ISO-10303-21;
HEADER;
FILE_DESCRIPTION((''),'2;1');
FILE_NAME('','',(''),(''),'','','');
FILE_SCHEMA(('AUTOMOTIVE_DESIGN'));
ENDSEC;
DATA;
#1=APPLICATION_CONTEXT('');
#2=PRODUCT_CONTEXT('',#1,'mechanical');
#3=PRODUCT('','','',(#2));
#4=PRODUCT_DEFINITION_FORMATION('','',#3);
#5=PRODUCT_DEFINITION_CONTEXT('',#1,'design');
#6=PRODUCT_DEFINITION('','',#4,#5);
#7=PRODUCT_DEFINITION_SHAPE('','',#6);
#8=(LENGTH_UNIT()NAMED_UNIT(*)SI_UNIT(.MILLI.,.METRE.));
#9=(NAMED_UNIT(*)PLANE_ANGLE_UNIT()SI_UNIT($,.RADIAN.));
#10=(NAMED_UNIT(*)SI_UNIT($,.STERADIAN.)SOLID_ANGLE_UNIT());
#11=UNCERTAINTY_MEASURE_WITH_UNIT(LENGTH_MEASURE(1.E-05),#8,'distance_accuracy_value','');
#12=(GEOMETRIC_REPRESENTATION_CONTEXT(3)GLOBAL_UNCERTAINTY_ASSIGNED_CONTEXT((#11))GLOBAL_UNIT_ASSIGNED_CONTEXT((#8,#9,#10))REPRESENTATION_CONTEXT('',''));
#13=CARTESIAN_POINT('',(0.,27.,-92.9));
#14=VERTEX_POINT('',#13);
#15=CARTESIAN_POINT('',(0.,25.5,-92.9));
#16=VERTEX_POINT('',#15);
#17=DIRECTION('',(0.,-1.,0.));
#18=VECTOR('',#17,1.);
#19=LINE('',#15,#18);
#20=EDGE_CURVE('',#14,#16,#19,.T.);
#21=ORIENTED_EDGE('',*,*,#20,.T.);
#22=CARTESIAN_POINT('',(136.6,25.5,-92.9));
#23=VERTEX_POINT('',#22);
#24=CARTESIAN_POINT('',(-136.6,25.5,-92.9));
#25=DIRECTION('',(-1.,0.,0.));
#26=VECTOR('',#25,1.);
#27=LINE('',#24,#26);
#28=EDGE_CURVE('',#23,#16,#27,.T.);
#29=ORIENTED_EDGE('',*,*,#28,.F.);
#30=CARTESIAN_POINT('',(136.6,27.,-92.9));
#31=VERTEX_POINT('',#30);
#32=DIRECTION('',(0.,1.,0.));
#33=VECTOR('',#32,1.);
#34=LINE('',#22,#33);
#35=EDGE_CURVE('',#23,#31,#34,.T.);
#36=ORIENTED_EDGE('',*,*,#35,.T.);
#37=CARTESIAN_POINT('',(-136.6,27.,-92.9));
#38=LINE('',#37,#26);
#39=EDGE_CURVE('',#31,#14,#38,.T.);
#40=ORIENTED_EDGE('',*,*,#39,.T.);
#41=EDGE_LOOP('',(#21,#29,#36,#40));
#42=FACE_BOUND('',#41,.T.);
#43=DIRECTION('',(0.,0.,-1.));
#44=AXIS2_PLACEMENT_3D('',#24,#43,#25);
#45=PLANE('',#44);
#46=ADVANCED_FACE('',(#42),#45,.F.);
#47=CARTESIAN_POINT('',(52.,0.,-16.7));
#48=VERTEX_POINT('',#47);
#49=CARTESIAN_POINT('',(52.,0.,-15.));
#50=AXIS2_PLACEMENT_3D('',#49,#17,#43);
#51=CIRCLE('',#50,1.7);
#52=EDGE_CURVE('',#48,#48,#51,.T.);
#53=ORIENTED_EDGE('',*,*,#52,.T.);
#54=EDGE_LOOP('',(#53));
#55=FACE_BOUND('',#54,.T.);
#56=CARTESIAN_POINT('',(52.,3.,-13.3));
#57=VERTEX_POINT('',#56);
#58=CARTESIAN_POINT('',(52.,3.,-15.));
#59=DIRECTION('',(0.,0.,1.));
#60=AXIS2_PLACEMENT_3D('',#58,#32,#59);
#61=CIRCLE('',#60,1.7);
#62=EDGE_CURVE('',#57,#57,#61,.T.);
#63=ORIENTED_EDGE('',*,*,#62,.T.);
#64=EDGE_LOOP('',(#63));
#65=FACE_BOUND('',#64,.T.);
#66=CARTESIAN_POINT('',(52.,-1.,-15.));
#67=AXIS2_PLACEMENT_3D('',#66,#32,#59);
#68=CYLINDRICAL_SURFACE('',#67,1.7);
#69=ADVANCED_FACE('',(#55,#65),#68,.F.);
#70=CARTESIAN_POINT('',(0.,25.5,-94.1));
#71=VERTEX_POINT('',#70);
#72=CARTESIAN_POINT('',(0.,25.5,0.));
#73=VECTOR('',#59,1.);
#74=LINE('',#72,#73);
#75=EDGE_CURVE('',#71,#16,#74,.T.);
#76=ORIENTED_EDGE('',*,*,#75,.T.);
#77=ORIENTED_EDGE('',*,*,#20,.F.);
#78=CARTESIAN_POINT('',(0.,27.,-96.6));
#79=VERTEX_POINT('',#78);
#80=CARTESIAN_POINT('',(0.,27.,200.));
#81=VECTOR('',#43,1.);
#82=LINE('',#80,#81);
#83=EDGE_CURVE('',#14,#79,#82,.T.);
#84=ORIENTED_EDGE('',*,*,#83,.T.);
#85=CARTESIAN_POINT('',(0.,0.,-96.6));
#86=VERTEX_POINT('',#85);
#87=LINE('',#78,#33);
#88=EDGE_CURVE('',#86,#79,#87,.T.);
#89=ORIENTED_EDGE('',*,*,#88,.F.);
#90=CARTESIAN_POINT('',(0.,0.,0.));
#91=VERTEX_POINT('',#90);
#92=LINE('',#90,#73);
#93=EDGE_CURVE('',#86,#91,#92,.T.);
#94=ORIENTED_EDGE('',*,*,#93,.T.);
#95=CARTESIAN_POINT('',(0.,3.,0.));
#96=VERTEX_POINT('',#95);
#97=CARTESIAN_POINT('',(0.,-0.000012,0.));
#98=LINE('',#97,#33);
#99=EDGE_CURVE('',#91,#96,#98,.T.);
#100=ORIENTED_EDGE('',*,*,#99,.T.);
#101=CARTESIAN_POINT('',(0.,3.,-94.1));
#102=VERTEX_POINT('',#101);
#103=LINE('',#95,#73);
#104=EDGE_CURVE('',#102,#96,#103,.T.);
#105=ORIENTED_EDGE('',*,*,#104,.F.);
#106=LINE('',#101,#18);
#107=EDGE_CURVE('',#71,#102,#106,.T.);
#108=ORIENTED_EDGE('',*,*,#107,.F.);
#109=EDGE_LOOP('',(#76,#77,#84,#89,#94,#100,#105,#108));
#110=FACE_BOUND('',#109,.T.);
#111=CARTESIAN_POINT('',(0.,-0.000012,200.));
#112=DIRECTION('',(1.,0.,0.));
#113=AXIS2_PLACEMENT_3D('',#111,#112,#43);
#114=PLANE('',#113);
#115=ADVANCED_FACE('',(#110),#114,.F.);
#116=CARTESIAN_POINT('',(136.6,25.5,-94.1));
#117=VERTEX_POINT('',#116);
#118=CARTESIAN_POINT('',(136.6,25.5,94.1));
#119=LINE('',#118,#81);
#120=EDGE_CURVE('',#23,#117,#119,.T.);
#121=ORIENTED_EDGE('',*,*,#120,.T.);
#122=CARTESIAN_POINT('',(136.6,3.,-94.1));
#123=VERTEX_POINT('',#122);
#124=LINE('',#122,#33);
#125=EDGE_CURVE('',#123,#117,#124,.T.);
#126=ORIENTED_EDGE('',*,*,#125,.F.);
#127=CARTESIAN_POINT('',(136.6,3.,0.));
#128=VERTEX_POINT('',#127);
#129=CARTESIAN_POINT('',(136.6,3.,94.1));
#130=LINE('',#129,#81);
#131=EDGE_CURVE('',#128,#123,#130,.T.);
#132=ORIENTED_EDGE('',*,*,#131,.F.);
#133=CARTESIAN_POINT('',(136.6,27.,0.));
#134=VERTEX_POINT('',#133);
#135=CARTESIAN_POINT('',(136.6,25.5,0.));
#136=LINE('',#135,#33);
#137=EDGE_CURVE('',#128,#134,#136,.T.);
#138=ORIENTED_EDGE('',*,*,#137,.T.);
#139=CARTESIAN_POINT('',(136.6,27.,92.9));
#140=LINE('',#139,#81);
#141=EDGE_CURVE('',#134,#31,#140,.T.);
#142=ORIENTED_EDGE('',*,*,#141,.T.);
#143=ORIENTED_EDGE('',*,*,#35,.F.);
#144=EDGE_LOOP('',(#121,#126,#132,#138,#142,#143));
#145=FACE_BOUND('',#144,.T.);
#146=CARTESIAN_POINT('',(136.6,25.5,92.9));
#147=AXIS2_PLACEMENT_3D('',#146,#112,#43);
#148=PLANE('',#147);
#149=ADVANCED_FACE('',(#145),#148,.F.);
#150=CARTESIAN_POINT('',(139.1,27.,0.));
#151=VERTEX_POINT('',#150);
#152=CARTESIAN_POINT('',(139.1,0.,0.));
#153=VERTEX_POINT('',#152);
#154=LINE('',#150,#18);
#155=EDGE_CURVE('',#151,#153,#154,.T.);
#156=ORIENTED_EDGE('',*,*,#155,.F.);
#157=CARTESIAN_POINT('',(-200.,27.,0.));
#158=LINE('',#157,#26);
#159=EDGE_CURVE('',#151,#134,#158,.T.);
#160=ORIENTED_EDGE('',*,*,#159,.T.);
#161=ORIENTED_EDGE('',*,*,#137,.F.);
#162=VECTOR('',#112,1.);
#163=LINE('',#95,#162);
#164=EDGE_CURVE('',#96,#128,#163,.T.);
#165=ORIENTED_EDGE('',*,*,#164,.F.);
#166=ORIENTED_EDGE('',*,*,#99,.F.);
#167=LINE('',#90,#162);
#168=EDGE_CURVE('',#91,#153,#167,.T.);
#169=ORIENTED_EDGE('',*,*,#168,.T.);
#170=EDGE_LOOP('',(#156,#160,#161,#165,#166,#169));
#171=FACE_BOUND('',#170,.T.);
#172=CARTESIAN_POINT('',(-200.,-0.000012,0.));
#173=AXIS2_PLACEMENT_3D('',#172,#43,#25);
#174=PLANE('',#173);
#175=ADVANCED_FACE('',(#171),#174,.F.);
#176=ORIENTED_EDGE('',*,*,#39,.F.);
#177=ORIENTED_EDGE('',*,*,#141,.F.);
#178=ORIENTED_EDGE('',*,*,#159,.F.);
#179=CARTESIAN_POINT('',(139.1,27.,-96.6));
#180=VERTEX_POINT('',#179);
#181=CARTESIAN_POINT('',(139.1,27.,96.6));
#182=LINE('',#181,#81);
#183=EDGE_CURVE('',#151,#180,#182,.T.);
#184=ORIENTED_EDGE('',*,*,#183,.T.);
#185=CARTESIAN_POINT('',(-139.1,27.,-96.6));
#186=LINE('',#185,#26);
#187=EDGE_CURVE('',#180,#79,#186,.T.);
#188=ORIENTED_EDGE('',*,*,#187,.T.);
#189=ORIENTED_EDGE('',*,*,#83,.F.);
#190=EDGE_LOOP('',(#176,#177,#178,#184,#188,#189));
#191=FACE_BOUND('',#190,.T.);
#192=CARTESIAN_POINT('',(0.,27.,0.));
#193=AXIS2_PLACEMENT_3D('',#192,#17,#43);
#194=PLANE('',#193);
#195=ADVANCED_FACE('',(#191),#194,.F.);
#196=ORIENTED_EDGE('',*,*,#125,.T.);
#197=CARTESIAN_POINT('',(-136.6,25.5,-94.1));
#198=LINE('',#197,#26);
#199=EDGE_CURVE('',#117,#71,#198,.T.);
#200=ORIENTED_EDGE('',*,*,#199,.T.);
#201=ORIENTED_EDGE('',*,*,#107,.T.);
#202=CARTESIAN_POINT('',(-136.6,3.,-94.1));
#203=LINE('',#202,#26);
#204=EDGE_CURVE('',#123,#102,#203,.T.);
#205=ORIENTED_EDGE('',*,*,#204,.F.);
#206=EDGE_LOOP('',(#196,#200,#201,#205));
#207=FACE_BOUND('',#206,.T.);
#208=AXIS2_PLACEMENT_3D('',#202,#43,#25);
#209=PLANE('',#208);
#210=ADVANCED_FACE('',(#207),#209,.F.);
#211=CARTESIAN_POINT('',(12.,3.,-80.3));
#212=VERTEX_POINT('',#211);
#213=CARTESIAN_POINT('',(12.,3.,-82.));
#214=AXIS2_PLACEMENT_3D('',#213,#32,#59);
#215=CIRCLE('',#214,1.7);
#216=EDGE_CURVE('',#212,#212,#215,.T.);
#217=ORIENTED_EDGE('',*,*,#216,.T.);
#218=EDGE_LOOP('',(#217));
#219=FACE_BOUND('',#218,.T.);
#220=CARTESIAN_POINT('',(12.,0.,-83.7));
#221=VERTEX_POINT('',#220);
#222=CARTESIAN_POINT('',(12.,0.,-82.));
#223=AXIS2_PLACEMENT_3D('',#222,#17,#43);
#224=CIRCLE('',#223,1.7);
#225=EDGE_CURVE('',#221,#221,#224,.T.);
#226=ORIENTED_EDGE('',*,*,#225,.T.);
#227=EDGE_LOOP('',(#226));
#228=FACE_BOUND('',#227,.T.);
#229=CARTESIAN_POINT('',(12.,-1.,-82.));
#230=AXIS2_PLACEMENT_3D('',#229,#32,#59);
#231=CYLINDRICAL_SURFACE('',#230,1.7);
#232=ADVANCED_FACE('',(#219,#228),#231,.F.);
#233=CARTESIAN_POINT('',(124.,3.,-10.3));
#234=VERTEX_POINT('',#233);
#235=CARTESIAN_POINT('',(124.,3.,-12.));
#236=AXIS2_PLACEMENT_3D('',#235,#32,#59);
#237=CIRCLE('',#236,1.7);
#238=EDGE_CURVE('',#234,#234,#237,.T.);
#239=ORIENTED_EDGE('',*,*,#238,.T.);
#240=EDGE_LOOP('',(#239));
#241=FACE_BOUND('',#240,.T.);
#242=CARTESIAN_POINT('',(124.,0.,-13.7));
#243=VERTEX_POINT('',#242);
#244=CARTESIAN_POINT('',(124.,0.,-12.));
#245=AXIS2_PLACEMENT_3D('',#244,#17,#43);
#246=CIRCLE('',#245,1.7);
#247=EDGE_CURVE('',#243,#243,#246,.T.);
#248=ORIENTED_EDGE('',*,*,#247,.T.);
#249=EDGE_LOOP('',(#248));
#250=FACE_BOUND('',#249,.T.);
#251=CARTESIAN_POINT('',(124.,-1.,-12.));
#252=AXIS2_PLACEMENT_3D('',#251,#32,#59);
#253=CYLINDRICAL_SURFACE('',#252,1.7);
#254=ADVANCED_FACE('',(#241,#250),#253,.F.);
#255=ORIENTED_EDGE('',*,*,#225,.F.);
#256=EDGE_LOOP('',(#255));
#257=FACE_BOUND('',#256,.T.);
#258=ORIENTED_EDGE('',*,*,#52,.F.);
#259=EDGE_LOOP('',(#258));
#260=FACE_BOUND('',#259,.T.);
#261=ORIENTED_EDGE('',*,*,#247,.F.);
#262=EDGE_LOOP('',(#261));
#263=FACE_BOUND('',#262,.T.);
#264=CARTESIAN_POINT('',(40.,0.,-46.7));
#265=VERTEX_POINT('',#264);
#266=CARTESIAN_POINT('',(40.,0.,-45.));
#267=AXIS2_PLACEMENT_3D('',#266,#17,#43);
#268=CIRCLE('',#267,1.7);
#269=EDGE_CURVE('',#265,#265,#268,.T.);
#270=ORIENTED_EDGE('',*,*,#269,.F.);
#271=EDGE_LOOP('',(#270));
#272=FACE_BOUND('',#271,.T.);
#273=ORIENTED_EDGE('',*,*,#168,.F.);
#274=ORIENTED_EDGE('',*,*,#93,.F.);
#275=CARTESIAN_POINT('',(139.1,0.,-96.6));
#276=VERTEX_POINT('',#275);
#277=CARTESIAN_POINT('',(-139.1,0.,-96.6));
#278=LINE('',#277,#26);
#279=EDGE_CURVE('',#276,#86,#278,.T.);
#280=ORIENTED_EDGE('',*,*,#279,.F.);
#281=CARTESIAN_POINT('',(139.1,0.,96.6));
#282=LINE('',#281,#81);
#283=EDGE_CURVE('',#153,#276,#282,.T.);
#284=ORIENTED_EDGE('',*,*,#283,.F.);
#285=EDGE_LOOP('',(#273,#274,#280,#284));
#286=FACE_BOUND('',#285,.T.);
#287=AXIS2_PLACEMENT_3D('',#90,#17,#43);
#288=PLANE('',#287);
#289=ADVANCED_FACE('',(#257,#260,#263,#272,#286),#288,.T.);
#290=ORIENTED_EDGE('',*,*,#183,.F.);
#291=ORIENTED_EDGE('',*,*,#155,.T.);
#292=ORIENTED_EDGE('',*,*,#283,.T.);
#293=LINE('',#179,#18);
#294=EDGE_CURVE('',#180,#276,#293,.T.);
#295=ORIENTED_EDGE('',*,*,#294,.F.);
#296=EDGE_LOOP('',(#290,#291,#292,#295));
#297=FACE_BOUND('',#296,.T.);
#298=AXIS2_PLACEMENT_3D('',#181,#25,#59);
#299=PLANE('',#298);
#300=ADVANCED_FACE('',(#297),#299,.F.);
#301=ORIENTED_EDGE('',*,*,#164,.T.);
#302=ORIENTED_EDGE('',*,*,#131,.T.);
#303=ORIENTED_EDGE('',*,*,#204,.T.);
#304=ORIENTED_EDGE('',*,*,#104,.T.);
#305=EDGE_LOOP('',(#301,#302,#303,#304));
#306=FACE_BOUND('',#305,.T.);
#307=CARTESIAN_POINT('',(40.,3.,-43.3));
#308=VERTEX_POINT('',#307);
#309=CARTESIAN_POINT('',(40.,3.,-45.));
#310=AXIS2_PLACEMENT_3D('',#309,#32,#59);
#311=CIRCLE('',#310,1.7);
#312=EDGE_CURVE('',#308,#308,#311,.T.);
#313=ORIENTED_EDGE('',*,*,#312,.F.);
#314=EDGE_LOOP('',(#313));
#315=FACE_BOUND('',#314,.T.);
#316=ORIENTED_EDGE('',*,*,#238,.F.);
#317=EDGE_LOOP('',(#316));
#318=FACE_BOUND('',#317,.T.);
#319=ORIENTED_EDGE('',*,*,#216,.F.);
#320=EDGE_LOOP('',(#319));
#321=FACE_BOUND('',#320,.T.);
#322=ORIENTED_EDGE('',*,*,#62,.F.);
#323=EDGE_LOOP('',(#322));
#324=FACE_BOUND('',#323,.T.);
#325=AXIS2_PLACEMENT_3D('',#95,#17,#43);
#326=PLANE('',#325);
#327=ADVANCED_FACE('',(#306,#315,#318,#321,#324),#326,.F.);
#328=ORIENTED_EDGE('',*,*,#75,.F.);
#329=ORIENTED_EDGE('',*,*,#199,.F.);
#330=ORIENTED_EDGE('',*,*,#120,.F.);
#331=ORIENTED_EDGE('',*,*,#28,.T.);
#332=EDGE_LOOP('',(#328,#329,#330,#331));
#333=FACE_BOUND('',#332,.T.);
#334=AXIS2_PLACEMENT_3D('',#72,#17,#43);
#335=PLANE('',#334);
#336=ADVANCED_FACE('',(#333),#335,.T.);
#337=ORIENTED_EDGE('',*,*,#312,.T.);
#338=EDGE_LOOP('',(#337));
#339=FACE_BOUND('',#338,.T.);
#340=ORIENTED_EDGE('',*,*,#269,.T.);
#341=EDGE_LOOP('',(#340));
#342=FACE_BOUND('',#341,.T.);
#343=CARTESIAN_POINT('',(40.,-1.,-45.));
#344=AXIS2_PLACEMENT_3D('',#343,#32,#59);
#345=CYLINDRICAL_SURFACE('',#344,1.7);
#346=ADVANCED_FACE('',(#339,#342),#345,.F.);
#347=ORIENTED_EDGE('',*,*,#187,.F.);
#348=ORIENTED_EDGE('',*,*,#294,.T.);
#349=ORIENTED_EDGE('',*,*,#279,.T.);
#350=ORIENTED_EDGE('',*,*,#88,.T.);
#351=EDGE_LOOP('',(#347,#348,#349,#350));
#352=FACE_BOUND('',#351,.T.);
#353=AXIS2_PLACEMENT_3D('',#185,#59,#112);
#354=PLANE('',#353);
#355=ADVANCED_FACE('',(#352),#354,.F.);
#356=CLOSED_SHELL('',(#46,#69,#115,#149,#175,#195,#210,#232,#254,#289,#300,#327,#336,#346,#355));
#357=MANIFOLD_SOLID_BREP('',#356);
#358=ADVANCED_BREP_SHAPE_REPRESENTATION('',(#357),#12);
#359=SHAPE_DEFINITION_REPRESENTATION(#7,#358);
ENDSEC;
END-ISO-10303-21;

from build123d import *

# Parameters (mm, degrees)
SKETCH1_W                     = 278.2
SKETCH1_H                     = 193.2
SHELL_BLOCK_DEPTH             = 27
SKETCH2_W                     = 273.2
SKETCH2_H                     = 185.8
FRONT_OPENING_DEPTH           = 1.5
SKETCH3_W                     = 273.2
SKETCH3_H                     = 188.2
DISPLAY_POCKET_DEPTH          = 22.5
SKETCH4_W                     = 3
SKETCH4_H                     = 56
VENT_SLOTS_DEPTH              = 4
SKETCH5_W                     = 58
SKETCH5_H                     = 16
CABLE_EXIT_X_SHORT_SIDE_DEPTH = 140.1
SKETCH6_R                     = 1.7
BOLT_HOLES_DEPTH              = 4
KEEP_ONE_HALF_X_DEPTH         = 172.491603293
KEEP_ONE_HALF_X_DEPTH_BACK    = 172.491603293
SKETCH7_W                     = 200
SKETCH7_H                     = 400
KEEP_ONE_QUARTER_Z_DEPTH      = 172.491603293
KEEP_ONE_QUARTER_Z_DEPTH_BACK = 172.491603293
SKETCH8_W                     = 400
SKETCH8_H                     = 200


with BuildPart() as part:
    # Sketch1 → Shell Block (new body)
    with BuildSketch(Plane(origin=(0, 0, 0), x_dir=(1, 0, 0), z_dir=(0, 1, 0))):
        Rectangle(SKETCH1_W, SKETCH1_H)
    extrude(amount=SHELL_BLOCK_DEPTH)

    # Sketch2 → Front Opening (cut)
    with BuildSketch(Plane(origin=(0, 27, 0), x_dir=(1, 0, 0), z_dir=(0, 1, 0))):
        Rectangle(SKETCH2_W, SKETCH2_H)
    extrude(amount=-FRONT_OPENING_DEPTH, mode=Mode.SUBTRACT)

    # Sketch3 → Display Pocket (cut)
    with BuildSketch(Plane(origin=(0, 25.5, 0), x_dir=(1, 0, 0), z_dir=(0, 1, 0))):
        Rectangle(SKETCH3_W, SKETCH3_H)
    extrude(amount=-DISPLAY_POCKET_DEPTH, mode=Mode.SUBTRACT)

    # Sketch4 → Vent Slots (cut)
    with BuildSketch(Plane(origin=(0, 3, 0), x_dir=(1, 0, 0), z_dir=(0, 1, 0))):
        with Locations((-67.5, 56)):
            Rectangle(SKETCH4_W, SKETCH4_H)
        with Locations((-67.5, -56)):
            Rectangle(SKETCH4_W, SKETCH4_H)
        with Locations((-75.5, 56)):
            Rectangle(SKETCH4_W, SKETCH4_H)
        with Locations((-75.5, -56)):
            Rectangle(SKETCH4_W, SKETCH4_H)
        with Locations((-83.5, 56)):
            Rectangle(SKETCH4_W, SKETCH4_H)
        with Locations((-83.5, -56)):
            Rectangle(SKETCH4_W, SKETCH4_H)
        with Locations((-91.5, 56)):
            Rectangle(SKETCH4_W, SKETCH4_H)
        with Locations((-91.5, -56)):
            Rectangle(SKETCH4_W, SKETCH4_H)
        with Locations((-99.5, 56)):
            Rectangle(SKETCH4_W, SKETCH4_H)
        with Locations((-99.5, -56)):
            Rectangle(SKETCH4_W, SKETCH4_H)
        with Locations((-107.5, 56)):
            Rectangle(SKETCH4_W, SKETCH4_H)
        with Locations((-107.5, -56)):
            Rectangle(SKETCH4_W, SKETCH4_H)
        with Locations((-115.5, 56)):
            Rectangle(SKETCH4_W, SKETCH4_H)
        with Locations((-115.5, -56)):
            Rectangle(SKETCH4_W, SKETCH4_H)
        with Locations((-123.5, 56)):
            Rectangle(SKETCH4_W, SKETCH4_H)
        with Locations((-123.5, -56)):
            Rectangle(SKETCH4_W, SKETCH4_H)
    extrude(amount=-VENT_SLOTS_DEPTH, mode=Mode.SUBTRACT)

    # Sketch5 → Cable Exit (-X short side) (cut)
    with BuildSketch(Plane(origin=(0, 0, 0), x_dir=(0, 0, -1), z_dir=(1, 0, 0))):
        with Locations((0, 13)):
            Rectangle(SKETCH5_W, SKETCH5_H)
    extrude(amount=-CABLE_EXIT_X_SHORT_SIDE_DEPTH, mode=Mode.SUBTRACT)

    # Sketch6 → Bolt Holes (cut)
    with BuildSketch(Plane(origin=(0, 3, 0), x_dir=(1, 0, 0), z_dir=(0, 1, 0))):
        with Locations(Location((-40, -45, 0), (0, 0, 270))):
            Circle(SKETCH6_R)
        with Locations(Location((-40, 45, 0), (0, 0, 270))):
            Circle(SKETCH6_R)
        with Locations(Location((40, -45, 0), (0, 0, 270))):
            Circle(SKETCH6_R)
        with Locations(Location((40, 45, 0), (0, 0, 270))):
            Circle(SKETCH6_R)
        with Locations(Location((-52, -15, 0), (0, 0, 270))):
            Circle(SKETCH6_R)
        with Locations(Location((-52, 15, 0), (0, 0, 270))):
            Circle(SKETCH6_R)
        with Locations(Location((52, -15, 0), (0, 0, 270))):
            Circle(SKETCH6_R)
        with Locations(Location((52, 15, 0), (0, 0, 270))):
            Circle(SKETCH6_R)
        with Locations(Location((-12, -82, 0), (0, 0, 270))):
            Circle(SKETCH6_R)
        with Locations(Location((-12, 82, 0), (0, 0, 270))):
            Circle(SKETCH6_R)
        with Locations(Location((12, -82, 0), (0, 0, 270))):
            Circle(SKETCH6_R)
        with Locations(Location((12, 82, 0), (0, 0, 270))):
            Circle(SKETCH6_R)
        with Locations(Location((-124, -12, 0), (0, 0, 270))):
            Circle(SKETCH6_R)
        with Locations(Location((-124, 12, 0), (0, 0, 270))):
            Circle(SKETCH6_R)
        with Locations(Location((124, -12, 0), (0, 0, 270))):
            Circle(SKETCH6_R)
        with Locations(Location((124, 12, 0), (0, 0, 270))):
            Circle(SKETCH6_R)
    extrude(amount=-BOLT_HOLES_DEPTH, mode=Mode.SUBTRACT)

    # Sketch7 → Keep one half (X) (cut, two sides: drawn at the far end of the back side and taken through both)
    with BuildSketch(Plane(origin=(0, 0, 0), x_dir=(1, 0, 0), z_dir=(0, 1, 0)).offset(-KEEP_ONE_HALF_X_DEPTH_BACK)):
        with Locations((-100, 0)):
            Rectangle(SKETCH7_W, SKETCH7_H)
    extrude(amount=KEEP_ONE_HALF_X_DEPTH + KEEP_ONE_HALF_X_DEPTH_BACK, mode=Mode.SUBTRACT)

    # Sketch8 → Keep one quarter (Z) (cut, two sides: drawn at the far end of the back side and taken through both)
    with BuildSketch(Plane(origin=(0, 0, 0), x_dir=(1, 0, 0), z_dir=(0, 1, 0)).offset(-KEEP_ONE_QUARTER_Z_DEPTH_BACK)):
        with Locations((0, -100)):
            Rectangle(SKETCH8_W, SKETCH8_H)
    extrude(amount=KEEP_ONE_QUARTER_Z_DEPTH + KEEP_ONE_QUARTER_Z_DEPTH_BACK, mode=Mode.SUBTRACT)


solid = part.part
